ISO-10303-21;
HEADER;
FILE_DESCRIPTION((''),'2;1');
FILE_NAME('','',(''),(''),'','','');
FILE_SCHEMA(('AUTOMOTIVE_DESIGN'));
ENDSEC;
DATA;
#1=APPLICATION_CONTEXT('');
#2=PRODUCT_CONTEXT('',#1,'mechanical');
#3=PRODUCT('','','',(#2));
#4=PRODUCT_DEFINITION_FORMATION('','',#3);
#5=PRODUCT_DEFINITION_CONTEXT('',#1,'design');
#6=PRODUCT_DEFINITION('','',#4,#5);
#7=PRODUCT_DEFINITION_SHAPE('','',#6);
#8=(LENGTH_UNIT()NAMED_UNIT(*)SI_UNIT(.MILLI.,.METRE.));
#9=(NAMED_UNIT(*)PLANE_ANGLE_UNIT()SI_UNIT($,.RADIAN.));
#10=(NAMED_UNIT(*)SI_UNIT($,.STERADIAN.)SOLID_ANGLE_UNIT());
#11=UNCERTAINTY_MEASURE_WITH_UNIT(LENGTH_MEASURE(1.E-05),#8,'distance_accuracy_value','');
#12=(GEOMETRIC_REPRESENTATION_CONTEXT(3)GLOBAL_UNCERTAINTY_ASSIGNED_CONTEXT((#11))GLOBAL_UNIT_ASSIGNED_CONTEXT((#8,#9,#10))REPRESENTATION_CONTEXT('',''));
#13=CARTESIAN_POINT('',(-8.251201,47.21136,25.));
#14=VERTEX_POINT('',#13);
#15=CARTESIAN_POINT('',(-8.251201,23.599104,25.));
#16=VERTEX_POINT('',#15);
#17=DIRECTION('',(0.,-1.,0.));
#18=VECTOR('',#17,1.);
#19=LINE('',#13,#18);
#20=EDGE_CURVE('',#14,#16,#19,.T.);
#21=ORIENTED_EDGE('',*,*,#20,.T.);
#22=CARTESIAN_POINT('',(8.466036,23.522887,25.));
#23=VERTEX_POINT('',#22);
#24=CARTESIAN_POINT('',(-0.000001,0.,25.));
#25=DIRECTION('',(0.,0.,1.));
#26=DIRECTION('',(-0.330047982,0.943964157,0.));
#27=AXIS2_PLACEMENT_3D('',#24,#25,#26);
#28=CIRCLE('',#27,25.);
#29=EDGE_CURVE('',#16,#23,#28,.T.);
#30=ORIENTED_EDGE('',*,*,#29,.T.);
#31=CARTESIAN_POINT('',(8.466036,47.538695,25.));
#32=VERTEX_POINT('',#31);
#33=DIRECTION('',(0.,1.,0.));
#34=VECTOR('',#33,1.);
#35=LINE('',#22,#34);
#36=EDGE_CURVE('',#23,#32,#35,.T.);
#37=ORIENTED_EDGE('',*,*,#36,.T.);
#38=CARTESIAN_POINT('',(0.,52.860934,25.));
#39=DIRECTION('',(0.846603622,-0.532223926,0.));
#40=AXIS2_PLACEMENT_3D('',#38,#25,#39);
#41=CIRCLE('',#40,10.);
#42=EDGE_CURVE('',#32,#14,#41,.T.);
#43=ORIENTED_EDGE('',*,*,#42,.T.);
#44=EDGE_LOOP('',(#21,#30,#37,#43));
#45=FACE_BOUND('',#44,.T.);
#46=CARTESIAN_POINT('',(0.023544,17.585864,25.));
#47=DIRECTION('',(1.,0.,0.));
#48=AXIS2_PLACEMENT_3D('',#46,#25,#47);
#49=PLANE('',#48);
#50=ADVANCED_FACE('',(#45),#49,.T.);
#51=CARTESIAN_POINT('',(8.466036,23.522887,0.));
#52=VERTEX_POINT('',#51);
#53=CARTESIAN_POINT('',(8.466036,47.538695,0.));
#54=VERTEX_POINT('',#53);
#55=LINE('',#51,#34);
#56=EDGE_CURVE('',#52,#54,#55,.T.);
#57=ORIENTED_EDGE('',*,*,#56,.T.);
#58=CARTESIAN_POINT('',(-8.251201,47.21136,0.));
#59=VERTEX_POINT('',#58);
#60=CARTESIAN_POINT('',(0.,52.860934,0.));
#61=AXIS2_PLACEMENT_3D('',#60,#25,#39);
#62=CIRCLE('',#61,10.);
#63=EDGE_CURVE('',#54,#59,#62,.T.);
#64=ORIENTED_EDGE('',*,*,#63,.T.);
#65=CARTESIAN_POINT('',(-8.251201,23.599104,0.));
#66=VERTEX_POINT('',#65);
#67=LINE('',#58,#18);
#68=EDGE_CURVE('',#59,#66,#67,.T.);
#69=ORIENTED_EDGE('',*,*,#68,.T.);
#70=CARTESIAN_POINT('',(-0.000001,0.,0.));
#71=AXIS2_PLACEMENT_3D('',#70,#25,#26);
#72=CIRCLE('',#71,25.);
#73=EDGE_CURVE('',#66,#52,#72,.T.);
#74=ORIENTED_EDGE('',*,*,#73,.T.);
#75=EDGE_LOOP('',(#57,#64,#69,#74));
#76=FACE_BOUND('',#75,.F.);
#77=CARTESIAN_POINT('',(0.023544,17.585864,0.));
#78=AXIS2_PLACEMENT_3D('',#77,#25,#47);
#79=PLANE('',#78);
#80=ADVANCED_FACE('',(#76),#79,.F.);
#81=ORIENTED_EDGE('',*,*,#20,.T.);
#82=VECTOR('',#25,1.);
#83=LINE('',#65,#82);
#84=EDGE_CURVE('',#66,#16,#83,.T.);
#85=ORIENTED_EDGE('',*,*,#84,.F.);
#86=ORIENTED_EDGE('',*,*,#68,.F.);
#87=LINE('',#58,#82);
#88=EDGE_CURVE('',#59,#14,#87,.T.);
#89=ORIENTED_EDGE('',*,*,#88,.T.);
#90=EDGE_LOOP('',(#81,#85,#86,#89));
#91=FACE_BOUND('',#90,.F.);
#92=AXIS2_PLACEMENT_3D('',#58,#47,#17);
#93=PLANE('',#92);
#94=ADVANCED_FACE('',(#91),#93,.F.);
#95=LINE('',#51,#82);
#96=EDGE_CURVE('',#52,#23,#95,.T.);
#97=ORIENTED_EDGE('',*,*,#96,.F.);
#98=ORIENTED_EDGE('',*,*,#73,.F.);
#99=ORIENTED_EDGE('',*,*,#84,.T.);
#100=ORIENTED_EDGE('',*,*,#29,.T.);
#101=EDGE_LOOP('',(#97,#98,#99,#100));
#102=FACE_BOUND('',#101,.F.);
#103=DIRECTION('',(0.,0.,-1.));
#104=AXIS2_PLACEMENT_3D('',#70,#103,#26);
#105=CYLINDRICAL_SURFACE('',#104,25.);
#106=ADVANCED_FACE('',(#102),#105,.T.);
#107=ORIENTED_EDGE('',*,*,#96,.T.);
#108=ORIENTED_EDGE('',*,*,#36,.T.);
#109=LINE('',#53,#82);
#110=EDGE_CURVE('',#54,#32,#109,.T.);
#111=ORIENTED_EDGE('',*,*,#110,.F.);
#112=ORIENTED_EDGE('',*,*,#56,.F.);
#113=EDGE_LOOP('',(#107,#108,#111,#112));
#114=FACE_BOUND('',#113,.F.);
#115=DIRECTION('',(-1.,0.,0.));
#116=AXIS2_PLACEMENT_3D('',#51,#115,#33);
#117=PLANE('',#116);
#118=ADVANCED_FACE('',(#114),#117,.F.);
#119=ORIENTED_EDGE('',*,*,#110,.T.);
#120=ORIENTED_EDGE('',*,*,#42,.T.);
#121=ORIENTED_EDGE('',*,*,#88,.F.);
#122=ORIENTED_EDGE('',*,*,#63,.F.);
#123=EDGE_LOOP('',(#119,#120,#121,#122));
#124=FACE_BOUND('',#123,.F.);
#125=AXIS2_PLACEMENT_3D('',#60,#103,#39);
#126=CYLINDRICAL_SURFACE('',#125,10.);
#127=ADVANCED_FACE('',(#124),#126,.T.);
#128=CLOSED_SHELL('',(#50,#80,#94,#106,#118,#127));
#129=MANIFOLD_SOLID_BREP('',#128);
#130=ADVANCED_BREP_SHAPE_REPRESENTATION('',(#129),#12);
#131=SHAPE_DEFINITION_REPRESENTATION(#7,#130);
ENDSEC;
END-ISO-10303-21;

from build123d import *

# Parameters (mm, degrees)
F1_DEPTH = 25


with BuildPart() as f1:
    # F0 (on Top) → F1 (new body)
    with BuildSketch(Plane.XY):
        with BuildLine():
            Line((-8.251201, 47.21136), (-8.251201, 23.599104))
            ThreePointArc((-8.251201, 23.599104), (-0.113977, -24.99974), (8.466036, 23.522887))
            Line((8.466036, 23.522887), (8.466036, 47.538695))
            ThreePointArc((8.466036, 47.538695), (-0.195769, 62.859018), (-8.251201, 47.21136))
        make_face()
    extrude(amount=F1_DEPTH)


solid = f1.part
